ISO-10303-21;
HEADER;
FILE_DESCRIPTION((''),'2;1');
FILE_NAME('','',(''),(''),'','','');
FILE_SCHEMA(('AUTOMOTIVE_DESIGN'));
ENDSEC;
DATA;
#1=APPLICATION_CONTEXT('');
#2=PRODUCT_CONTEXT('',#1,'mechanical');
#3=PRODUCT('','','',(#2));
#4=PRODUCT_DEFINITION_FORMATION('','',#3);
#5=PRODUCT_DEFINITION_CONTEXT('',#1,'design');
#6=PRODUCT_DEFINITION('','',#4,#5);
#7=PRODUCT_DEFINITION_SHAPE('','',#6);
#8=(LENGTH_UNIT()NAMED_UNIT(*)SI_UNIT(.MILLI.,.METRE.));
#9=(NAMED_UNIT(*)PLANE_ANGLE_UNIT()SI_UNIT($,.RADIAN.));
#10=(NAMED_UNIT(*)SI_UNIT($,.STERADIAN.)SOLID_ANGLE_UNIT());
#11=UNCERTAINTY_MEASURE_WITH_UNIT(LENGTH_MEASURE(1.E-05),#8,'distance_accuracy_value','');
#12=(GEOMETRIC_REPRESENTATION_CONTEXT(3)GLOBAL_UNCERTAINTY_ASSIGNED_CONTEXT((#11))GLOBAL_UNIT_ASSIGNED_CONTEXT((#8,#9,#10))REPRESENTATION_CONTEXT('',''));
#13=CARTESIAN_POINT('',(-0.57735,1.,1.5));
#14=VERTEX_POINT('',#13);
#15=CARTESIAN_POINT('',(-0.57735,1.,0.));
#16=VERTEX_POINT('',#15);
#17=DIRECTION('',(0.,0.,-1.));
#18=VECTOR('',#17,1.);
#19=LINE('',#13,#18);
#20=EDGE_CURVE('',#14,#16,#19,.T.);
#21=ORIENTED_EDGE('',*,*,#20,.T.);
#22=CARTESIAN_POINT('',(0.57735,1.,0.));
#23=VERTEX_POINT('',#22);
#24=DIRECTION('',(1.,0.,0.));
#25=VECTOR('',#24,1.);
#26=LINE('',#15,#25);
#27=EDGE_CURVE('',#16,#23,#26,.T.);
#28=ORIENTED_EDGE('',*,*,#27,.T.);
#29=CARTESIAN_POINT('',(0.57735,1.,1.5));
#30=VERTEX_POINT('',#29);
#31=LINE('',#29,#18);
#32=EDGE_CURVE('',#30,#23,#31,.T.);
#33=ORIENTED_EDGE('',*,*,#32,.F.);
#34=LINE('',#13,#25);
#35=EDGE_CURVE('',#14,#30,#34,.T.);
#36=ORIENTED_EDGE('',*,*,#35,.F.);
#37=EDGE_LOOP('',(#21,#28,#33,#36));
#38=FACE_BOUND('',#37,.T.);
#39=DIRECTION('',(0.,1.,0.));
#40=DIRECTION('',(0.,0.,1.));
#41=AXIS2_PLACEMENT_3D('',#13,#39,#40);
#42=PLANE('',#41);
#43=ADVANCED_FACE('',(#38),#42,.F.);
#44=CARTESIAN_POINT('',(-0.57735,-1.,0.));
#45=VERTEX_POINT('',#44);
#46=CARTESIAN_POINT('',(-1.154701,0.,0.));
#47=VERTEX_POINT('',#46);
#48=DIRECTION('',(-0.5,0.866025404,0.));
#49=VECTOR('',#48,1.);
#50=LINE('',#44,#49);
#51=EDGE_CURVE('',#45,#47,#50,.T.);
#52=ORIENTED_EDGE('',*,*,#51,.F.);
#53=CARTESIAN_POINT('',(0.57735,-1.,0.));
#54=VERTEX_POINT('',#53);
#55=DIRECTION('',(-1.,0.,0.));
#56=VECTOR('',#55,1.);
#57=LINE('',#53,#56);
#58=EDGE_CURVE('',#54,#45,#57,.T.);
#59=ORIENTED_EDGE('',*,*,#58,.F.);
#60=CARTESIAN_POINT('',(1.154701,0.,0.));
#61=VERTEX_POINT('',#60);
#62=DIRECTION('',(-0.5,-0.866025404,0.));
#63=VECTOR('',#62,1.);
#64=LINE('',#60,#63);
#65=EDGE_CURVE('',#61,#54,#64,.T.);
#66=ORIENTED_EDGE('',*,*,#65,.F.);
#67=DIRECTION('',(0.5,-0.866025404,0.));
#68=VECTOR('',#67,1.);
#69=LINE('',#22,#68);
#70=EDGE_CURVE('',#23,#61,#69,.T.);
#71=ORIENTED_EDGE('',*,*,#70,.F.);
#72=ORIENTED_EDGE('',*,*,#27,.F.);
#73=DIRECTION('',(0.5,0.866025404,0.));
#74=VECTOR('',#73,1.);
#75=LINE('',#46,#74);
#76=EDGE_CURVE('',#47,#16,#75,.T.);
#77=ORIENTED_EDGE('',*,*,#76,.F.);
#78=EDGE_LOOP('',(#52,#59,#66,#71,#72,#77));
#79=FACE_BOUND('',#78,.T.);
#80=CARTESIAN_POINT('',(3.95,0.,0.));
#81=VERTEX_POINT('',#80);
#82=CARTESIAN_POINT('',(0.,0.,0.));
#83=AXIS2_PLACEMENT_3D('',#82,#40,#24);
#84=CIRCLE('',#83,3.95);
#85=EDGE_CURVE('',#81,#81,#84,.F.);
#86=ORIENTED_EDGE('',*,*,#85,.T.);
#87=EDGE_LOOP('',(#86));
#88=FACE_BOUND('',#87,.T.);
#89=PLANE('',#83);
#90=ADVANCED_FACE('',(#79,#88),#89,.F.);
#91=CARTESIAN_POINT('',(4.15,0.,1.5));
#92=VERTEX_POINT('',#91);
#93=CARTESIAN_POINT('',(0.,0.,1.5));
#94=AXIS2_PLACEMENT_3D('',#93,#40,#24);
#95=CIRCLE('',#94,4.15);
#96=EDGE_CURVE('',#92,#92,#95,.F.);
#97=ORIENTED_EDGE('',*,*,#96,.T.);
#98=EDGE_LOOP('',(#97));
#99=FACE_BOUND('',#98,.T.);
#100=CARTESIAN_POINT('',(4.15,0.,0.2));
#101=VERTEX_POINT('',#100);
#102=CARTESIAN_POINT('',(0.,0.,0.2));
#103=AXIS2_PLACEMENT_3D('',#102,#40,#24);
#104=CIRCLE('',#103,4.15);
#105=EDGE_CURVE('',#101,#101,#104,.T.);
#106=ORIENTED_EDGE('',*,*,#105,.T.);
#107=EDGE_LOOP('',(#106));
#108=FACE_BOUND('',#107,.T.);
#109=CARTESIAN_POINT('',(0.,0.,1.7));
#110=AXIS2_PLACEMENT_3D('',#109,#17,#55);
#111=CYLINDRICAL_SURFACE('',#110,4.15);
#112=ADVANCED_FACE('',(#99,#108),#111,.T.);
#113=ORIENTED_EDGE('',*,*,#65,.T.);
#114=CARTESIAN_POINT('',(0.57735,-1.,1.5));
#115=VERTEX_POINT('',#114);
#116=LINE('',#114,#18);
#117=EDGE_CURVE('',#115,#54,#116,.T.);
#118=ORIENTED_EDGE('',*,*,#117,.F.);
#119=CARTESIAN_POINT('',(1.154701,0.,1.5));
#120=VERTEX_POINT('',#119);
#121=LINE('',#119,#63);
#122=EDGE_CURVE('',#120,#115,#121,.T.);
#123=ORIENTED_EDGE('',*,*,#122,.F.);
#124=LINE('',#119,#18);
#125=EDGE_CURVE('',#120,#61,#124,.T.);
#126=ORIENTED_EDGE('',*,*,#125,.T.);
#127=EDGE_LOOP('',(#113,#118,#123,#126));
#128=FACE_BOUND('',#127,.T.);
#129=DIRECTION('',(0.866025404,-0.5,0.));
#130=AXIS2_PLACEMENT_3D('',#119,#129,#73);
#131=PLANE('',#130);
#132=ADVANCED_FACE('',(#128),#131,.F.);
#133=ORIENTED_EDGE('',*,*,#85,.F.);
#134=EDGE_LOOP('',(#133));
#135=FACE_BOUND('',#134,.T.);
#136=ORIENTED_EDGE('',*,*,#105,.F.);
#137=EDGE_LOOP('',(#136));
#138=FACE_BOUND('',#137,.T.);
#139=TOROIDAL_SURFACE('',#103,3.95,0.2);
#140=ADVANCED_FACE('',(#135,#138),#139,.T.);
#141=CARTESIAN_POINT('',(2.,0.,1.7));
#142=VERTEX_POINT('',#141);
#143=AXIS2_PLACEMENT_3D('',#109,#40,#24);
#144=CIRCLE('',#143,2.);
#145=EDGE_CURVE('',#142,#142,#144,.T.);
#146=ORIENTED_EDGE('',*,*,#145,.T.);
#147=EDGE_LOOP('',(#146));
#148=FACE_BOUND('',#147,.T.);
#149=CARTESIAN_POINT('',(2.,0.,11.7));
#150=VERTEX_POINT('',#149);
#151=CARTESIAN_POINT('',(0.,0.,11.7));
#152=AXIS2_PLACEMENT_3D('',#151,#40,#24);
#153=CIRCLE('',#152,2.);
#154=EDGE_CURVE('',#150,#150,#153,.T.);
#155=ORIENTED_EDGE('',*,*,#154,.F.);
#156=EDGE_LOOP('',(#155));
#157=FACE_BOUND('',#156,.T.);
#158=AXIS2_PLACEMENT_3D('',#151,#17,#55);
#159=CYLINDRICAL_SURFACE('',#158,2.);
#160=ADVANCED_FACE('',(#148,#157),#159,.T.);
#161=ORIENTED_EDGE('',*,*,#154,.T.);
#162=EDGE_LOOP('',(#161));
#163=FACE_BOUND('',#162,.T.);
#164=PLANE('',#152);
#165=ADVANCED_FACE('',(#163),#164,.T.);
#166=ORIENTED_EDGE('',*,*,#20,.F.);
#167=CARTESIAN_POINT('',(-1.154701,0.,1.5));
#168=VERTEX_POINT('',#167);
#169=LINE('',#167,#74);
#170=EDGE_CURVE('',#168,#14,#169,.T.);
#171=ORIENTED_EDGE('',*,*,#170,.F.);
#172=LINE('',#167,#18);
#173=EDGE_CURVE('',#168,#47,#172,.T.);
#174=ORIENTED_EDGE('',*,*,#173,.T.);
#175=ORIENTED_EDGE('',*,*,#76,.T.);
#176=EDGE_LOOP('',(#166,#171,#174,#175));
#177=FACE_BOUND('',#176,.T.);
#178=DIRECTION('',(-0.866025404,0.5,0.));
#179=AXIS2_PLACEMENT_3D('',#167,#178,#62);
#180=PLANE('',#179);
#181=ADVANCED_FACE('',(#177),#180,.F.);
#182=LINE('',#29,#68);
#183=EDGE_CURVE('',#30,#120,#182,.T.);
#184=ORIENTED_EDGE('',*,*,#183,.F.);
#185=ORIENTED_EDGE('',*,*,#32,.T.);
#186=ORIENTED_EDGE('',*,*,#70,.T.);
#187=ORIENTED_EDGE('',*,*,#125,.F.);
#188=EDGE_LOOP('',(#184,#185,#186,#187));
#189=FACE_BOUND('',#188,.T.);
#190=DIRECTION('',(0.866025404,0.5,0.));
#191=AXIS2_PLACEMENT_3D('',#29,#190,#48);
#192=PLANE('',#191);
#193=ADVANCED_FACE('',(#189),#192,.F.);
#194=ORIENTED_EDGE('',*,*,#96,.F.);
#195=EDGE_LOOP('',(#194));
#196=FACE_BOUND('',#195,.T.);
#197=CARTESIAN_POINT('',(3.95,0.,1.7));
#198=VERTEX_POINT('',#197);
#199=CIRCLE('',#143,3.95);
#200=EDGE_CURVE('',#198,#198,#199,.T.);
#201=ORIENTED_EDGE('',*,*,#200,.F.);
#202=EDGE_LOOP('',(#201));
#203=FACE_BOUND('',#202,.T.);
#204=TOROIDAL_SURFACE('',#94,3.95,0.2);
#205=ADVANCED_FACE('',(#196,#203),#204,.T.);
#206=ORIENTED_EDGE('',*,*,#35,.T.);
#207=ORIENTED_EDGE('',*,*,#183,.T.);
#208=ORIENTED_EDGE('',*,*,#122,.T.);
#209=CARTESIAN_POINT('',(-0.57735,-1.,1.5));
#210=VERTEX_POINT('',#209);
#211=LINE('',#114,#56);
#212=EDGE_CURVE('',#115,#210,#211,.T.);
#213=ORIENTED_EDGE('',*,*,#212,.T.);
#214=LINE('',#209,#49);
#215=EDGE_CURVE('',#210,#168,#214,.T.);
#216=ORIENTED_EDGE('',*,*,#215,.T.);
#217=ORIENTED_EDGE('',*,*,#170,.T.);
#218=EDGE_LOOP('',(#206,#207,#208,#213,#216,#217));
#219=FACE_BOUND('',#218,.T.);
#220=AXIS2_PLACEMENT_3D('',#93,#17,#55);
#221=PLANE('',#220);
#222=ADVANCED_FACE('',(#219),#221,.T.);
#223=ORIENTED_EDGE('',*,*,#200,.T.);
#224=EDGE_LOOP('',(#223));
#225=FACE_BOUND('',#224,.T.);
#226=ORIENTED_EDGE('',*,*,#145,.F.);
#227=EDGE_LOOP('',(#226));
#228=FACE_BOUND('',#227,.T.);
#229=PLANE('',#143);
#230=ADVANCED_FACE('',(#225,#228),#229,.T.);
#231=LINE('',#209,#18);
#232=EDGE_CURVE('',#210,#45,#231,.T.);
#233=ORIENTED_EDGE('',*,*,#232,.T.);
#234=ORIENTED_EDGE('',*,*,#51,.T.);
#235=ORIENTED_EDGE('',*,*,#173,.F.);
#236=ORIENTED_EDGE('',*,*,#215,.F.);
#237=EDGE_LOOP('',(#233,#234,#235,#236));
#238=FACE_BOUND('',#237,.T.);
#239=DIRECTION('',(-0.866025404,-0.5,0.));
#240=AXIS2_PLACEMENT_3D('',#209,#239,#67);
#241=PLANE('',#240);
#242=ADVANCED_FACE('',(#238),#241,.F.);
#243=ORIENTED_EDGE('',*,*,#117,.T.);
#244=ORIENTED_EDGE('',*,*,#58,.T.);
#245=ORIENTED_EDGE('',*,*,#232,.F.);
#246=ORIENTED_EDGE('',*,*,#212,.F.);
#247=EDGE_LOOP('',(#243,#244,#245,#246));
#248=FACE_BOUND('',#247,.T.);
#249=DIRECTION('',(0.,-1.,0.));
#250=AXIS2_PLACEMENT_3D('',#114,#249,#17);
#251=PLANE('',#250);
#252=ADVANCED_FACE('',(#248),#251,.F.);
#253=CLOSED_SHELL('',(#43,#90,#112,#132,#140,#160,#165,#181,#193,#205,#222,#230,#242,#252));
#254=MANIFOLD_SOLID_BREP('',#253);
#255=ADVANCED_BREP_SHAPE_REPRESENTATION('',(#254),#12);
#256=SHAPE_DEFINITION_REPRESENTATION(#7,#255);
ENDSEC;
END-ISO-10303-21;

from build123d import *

# Parameters (mm, degrees)
SKETCH_1_R          = 4.15
EXTRUDE_1_DEPTH     = 1.7
SKETCH_2_R          = 2
EXTRUDE_2_DEPTH     = 10
FILLET_1_R          = 0.2
CUT_EXTRUDE_1_DEPTH = 1.5


with BuildPart() as part:
    # 草图1 → 凸台-拉伸1 (new body)
    with BuildSketch(Plane.XY):
        Circle(SKETCH_1_R)
    extrude(amount=EXTRUDE_1_DEPTH)

    # 草图2 → 凸台-拉伸2 (add)
    with BuildSketch(Plane.XY.offset(1.7)):
        Circle(SKETCH_2_R)
    extrude(amount=EXTRUDE_2_DEPTH)

    # 圆角1
    fillet_1_edges = [part.edges().sort_by_distance(p)[0] for p in [
        (-4.15, 0, 0),
        (-4.15, 0, 1.7),
    ]]
    fillet(fillet_1_edges, radius=FILLET_1_R)

    # 草图3 → 切除-拉伸1 (cut)
    with BuildSketch(Plane(origin=(0, 0, 0), x_dir=(-1, 0, 0), z_dir=(0, 0, -1))):
        Polygon((1.154700538, 0), (0.577350269, 1), (-0.577350269, 1), (-1.154700538, 0), (-0.577350269, -1), (0.577350269, -1), align=None)
    extrude(amount=-CUT_EXTRUDE_1_DEPTH, mode=Mode.SUBTRACT)


solid = part.part
